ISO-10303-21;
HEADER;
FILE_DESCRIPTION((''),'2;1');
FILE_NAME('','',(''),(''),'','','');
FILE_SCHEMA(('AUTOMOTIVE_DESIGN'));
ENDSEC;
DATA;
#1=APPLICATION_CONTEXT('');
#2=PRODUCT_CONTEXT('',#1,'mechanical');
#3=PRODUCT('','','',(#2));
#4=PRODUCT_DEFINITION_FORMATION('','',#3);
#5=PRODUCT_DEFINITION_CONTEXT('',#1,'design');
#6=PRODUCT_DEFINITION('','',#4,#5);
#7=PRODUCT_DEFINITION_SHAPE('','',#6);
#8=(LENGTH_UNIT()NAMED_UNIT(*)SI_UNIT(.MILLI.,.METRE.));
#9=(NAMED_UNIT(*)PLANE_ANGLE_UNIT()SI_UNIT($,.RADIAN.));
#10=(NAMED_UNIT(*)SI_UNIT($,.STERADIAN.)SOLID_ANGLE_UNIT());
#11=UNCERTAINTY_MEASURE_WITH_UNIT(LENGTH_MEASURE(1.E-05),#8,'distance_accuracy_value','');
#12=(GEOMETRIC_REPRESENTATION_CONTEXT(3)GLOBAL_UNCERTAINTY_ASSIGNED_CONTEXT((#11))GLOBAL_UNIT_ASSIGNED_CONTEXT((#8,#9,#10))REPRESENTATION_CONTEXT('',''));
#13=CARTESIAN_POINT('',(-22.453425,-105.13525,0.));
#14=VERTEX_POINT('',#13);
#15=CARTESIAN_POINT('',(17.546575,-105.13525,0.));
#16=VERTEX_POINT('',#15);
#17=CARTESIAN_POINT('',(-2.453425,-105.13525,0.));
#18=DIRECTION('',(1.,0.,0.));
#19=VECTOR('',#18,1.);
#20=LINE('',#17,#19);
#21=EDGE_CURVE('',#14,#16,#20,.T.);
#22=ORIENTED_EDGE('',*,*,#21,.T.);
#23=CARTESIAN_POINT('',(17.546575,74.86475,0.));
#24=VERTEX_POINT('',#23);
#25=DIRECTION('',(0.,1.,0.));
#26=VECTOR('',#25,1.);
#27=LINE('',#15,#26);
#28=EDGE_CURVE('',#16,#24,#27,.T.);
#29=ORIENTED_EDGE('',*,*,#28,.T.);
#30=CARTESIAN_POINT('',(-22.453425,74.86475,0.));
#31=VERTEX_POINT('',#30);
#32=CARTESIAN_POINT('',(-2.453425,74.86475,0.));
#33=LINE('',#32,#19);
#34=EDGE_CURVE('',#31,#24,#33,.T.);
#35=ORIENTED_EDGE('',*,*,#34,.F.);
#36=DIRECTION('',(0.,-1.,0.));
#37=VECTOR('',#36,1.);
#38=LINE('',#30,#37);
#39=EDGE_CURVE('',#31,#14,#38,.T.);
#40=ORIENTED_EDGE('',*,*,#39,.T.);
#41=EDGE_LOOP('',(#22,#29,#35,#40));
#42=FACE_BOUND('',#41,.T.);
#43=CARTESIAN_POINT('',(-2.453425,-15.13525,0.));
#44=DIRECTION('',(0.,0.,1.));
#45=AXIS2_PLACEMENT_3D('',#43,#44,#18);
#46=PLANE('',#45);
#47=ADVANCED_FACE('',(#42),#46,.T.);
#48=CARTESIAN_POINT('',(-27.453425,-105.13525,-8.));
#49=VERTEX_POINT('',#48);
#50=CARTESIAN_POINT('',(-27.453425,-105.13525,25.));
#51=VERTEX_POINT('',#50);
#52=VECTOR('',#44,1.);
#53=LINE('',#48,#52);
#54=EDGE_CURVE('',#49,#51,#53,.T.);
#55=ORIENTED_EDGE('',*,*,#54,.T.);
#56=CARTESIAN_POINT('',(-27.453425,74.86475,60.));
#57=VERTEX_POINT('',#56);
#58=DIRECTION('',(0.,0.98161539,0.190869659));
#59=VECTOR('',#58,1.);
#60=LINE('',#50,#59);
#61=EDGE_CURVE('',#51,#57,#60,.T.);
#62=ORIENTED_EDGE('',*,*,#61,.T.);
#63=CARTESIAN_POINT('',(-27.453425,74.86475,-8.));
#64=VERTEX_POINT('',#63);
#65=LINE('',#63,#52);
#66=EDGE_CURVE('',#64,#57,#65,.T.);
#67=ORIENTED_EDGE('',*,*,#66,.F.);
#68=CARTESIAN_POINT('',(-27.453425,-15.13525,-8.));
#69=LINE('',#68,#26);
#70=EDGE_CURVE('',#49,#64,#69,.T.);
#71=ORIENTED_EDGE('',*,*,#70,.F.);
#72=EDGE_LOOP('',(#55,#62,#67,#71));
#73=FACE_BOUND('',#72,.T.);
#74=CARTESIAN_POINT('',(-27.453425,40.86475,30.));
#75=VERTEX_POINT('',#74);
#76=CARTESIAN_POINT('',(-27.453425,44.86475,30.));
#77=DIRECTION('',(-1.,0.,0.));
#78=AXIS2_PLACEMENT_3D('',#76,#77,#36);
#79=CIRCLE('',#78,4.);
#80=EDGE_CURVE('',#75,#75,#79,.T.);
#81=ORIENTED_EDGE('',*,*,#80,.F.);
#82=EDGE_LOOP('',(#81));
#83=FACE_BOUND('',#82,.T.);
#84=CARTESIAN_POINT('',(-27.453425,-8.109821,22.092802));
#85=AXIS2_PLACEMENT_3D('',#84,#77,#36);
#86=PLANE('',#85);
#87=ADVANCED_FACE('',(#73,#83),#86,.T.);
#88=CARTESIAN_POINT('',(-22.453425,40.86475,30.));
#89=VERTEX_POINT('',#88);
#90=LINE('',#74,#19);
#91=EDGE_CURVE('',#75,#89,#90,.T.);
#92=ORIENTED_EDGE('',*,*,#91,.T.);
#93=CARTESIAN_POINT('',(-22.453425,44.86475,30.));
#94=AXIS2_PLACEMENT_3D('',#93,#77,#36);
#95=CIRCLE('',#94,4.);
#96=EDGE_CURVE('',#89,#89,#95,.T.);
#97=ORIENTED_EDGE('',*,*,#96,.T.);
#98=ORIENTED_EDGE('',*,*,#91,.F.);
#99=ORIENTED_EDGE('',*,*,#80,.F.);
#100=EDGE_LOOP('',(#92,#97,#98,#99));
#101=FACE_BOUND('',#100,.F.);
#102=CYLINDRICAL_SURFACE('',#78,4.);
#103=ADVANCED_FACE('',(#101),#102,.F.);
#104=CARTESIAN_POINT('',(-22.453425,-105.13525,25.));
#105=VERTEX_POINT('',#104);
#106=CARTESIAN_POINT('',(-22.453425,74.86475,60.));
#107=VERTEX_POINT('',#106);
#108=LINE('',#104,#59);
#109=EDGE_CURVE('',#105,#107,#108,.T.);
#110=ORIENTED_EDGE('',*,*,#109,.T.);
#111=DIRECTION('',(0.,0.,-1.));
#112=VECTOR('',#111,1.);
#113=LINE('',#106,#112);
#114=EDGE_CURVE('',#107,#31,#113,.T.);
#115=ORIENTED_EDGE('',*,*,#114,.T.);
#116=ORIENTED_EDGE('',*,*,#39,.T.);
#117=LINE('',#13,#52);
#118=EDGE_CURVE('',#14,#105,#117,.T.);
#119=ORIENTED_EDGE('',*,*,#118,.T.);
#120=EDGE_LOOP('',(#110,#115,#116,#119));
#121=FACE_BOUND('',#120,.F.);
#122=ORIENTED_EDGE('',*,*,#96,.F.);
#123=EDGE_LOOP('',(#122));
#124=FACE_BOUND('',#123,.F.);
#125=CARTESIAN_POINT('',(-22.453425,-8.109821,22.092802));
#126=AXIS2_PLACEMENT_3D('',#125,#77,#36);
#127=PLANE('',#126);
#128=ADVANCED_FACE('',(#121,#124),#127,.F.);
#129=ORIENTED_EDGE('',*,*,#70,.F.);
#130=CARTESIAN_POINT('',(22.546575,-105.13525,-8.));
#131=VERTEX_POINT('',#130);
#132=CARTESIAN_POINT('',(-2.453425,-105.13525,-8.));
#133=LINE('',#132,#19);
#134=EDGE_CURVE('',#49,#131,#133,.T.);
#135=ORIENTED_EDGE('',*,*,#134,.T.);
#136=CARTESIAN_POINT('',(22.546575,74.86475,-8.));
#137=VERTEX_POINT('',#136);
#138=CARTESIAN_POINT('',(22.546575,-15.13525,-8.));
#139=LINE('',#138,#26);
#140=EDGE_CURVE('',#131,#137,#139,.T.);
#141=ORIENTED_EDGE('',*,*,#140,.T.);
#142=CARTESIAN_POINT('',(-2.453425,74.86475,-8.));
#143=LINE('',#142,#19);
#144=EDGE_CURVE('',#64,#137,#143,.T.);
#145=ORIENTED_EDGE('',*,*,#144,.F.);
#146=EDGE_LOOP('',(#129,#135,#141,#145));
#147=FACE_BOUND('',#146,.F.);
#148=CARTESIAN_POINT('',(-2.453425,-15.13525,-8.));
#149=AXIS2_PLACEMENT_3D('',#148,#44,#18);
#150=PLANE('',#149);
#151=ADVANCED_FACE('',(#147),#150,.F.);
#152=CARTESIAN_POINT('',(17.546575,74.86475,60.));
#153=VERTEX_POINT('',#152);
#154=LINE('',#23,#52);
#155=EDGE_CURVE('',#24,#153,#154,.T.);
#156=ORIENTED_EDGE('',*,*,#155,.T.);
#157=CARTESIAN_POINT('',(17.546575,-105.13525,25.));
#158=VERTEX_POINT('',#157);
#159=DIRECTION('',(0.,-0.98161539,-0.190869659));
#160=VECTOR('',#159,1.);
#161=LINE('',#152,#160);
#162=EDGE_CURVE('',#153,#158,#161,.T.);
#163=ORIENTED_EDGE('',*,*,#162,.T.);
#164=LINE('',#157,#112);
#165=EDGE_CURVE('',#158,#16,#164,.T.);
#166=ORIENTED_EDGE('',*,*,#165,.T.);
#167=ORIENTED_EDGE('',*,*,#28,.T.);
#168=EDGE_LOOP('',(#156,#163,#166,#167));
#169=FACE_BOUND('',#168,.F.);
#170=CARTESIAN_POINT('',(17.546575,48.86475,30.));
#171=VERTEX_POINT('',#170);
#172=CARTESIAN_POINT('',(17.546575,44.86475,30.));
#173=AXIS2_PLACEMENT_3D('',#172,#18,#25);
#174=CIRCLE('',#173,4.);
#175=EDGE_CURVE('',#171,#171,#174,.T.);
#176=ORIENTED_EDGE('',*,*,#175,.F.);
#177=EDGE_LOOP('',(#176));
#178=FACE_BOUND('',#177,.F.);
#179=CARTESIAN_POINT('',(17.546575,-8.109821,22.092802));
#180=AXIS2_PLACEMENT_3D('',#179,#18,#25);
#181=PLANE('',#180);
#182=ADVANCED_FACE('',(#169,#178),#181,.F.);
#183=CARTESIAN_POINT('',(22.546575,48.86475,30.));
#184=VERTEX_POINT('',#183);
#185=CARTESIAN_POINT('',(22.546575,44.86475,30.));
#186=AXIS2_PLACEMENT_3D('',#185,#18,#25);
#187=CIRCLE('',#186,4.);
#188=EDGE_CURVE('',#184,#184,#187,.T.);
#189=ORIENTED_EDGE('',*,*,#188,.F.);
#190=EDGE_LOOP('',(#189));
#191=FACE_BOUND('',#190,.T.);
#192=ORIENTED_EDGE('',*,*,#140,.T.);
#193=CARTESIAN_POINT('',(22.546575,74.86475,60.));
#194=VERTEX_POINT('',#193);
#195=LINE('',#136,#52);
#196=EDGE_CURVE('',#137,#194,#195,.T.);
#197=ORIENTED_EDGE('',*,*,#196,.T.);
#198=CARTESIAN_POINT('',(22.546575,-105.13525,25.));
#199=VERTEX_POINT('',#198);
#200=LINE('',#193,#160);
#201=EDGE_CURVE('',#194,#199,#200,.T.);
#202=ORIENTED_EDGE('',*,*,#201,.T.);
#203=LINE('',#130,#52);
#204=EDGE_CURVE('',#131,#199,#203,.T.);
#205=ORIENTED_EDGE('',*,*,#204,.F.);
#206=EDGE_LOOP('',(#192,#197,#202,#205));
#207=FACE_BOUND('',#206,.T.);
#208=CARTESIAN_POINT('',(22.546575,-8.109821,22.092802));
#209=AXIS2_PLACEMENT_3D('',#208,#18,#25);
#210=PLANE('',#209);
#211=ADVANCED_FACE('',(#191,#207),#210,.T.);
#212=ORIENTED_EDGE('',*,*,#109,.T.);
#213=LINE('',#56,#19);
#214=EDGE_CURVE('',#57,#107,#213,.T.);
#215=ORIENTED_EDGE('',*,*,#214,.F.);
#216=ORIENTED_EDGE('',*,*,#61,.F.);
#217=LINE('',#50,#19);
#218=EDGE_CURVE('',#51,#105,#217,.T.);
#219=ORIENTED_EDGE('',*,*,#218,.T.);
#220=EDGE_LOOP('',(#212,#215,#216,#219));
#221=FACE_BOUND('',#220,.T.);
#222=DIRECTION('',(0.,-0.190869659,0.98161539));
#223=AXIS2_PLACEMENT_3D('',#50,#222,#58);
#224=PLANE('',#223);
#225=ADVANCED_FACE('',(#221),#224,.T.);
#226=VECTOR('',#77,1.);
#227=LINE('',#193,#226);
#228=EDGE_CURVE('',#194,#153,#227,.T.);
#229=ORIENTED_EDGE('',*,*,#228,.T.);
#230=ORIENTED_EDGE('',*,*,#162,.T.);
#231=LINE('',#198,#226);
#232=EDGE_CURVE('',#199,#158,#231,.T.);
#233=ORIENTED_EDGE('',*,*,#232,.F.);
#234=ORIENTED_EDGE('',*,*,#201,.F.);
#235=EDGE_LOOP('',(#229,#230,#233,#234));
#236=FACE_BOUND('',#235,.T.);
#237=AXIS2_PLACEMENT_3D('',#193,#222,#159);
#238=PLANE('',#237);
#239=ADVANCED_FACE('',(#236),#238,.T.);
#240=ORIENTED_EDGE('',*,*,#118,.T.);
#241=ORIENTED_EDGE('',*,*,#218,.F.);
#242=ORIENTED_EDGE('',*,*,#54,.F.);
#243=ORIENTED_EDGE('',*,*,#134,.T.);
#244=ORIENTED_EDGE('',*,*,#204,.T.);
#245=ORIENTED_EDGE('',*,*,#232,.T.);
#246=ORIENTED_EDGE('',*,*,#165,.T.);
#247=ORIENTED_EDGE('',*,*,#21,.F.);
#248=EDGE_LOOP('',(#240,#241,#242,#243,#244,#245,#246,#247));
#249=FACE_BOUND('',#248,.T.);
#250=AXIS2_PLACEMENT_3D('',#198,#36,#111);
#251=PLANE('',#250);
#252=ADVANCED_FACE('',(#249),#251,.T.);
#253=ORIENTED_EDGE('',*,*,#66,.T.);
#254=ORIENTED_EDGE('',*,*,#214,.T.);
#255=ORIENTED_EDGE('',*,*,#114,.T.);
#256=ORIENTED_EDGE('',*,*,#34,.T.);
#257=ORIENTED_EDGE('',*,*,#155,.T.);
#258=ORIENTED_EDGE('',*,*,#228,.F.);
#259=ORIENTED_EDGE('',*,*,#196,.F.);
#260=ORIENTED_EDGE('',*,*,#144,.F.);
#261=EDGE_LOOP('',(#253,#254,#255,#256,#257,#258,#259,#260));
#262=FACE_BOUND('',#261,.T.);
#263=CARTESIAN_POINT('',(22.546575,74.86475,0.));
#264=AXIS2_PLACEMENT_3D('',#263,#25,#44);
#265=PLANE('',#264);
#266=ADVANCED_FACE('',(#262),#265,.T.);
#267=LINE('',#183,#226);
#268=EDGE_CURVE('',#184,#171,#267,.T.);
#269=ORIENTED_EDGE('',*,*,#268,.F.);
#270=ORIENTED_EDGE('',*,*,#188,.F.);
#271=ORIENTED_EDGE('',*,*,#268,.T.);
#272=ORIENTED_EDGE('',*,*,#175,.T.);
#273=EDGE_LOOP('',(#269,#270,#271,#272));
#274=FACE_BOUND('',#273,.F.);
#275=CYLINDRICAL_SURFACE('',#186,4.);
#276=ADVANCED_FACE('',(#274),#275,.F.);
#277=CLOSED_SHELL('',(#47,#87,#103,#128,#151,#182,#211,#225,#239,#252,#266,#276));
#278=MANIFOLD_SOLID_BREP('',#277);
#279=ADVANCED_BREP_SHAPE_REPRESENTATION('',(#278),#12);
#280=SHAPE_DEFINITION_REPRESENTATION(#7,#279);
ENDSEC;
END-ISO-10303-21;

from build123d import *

# Parameters (mm, degrees)
F0_W     = 50
F0_H     = 180
F1_DEPTH = 8
F2_R     = 4
F3_DEPTH = 5
F4_R     = 4
F5_DEPTH = 5


with BuildPart() as f1:
    # F0 (on Top) → F1 (new body)
    with BuildSketch(Plane.XY):
        with Locations((-2.453425, -15.13525)):
            Rectangle(F0_W, F0_H)
    extrude(amount=-F1_DEPTH)

    # F2 (on face) → F3 (join)
    with BuildSketch(Plane(origin=(-27.453425, 0, 0), x_dir=(0, -1, 0), z_dir=(-1, 0, 0))):
        Polygon((-74.86475, 60), (-74.86475, 0), (105.13525, 0), (105.13525, 25), align=None)
        with Locations((-44.86475, 30)):
            Circle(F2_R, mode=Mode.SUBTRACT)
    extrude(amount=-F3_DEPTH)

    # F4 (on face) → F5 (join)
    with BuildSketch(Plane.YZ.offset(22.546575)):
        Polygon((-105.13525, 25), (-105.13525, 0), (74.86475, 0), (74.86475, 60), align=None)
        with Locations((44.86475, 30)):
            Circle(F4_R, mode=Mode.SUBTRACT)
    extrude(amount=-F5_DEPTH)


solid = f1.part
